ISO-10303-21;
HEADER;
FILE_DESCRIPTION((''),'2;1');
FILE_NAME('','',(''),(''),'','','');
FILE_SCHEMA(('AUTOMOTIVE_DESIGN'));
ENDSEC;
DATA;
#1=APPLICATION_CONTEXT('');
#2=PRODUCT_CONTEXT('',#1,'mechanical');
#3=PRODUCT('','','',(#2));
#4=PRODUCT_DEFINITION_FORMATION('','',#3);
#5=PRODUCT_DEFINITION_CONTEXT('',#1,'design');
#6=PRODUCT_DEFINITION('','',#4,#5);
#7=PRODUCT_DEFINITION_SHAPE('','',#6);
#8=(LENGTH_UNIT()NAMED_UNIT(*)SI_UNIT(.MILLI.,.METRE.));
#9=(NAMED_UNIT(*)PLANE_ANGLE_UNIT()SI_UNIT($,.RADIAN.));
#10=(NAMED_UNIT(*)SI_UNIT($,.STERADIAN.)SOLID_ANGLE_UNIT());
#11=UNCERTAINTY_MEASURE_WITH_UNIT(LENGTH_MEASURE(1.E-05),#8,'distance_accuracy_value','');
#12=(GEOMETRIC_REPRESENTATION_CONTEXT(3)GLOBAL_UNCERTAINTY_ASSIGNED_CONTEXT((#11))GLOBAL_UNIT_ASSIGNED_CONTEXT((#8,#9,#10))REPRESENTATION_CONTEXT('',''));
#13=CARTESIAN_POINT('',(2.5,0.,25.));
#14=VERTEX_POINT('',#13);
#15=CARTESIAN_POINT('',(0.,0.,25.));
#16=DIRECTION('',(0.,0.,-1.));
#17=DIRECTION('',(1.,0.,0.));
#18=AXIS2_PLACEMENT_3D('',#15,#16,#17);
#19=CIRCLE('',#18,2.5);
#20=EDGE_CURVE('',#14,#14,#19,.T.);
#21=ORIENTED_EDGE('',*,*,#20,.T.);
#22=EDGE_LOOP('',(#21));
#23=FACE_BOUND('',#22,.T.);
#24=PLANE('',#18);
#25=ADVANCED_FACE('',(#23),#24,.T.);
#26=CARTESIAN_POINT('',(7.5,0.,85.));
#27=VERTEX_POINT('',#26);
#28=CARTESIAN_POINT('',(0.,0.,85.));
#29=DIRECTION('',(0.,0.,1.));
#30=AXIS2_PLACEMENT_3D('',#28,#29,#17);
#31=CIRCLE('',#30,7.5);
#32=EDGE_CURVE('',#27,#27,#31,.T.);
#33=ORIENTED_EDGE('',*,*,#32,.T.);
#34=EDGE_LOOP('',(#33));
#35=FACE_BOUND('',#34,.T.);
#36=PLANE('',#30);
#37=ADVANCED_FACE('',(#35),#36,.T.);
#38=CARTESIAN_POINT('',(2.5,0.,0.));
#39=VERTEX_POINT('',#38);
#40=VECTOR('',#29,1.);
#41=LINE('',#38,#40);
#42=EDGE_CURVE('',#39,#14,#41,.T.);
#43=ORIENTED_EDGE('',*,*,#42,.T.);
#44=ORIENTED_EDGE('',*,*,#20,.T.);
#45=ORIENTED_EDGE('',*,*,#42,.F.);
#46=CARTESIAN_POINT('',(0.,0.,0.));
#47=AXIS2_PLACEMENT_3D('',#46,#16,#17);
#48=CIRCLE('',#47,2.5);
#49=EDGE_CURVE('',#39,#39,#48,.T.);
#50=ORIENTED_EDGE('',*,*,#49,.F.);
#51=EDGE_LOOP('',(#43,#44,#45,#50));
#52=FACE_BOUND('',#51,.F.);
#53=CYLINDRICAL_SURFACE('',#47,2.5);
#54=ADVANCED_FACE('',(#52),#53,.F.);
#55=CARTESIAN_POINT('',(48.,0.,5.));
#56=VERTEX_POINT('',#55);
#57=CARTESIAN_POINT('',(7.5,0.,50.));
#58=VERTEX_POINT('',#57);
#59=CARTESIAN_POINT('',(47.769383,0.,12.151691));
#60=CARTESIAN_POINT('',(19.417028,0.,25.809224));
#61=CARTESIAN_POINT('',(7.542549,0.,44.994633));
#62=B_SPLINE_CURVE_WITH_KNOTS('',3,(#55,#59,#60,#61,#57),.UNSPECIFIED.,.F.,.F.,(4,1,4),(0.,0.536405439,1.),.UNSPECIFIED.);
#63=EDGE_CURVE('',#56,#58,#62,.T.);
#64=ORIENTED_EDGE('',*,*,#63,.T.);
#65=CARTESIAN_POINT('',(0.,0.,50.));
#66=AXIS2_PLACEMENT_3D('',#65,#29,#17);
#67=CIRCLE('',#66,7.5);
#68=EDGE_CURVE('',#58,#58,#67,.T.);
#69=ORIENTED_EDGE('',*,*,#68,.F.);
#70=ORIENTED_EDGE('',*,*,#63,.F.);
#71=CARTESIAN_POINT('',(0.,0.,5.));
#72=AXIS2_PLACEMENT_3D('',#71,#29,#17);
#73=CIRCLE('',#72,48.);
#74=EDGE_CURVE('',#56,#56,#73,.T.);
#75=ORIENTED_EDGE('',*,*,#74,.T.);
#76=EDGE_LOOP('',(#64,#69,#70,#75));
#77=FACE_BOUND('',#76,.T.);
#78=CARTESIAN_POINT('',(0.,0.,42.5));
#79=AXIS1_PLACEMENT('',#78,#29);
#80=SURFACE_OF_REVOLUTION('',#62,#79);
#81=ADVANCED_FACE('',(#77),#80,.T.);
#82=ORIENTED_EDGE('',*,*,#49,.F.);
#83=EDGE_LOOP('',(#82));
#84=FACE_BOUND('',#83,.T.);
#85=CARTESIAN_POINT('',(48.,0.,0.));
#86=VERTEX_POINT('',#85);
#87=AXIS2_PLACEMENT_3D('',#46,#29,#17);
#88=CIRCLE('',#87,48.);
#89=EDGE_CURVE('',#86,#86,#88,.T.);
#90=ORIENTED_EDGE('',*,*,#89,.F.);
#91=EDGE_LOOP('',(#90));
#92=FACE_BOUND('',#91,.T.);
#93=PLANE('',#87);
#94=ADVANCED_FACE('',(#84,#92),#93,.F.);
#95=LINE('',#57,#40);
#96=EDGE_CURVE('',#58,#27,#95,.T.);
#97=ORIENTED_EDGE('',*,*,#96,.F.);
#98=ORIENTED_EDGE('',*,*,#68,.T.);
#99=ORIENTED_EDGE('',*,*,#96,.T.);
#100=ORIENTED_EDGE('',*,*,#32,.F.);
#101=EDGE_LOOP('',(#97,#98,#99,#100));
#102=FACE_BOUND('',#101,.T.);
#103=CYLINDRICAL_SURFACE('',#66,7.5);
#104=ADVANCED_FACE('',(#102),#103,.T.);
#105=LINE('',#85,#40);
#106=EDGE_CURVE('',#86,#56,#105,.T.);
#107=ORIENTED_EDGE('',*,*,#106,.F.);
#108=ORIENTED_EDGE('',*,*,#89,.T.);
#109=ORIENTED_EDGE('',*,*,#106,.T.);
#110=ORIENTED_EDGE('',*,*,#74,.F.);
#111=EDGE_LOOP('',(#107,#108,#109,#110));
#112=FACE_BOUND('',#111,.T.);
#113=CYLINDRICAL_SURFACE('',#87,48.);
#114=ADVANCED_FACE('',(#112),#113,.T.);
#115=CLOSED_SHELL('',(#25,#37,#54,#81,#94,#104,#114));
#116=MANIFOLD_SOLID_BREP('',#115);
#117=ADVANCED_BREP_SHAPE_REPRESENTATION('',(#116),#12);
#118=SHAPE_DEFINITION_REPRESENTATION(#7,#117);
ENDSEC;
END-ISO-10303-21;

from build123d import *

# Parameters (mm, degrees)
F2_R     = 2.5
F3_DEPTH = 25


with BuildPart() as f1:
    # F0 (on Front) → F1 (revolve)
    with BuildSketch(Plane.XZ):
        with BuildLine():
            Line((0, 85), (0, 0))
            Line((0, 0), (48, 0))
            Line((48, 0), (48, 5))
            add(Edge.make_bspline(
                [(48, 5), (47.7693830737, 12.1516905368), (19.4170275378, 25.8092244503), (7.5425494924, 44.994633124), (7.5, 50)],
                knots=[0, 0, 0, 0, 0.5364054389, 1, 1, 1, 1], degree=3))
            Line((7.5, 50), (7.5, 85))
            Line((7.5, 85), (0, 85))
        make_face()
    revolve(axis=Axis((0, 0, 42.5), (0, 0, 1)))

    # F2 (on face) → F3 (cut)
    with BuildSketch(Plane(origin=(0, 0, 0), x_dir=(1, 0, 0), z_dir=(0, 0, -1))):
        Circle(F2_R)
    extrude(amount=-F3_DEPTH, mode=Mode.SUBTRACT)


solid = f1.part
